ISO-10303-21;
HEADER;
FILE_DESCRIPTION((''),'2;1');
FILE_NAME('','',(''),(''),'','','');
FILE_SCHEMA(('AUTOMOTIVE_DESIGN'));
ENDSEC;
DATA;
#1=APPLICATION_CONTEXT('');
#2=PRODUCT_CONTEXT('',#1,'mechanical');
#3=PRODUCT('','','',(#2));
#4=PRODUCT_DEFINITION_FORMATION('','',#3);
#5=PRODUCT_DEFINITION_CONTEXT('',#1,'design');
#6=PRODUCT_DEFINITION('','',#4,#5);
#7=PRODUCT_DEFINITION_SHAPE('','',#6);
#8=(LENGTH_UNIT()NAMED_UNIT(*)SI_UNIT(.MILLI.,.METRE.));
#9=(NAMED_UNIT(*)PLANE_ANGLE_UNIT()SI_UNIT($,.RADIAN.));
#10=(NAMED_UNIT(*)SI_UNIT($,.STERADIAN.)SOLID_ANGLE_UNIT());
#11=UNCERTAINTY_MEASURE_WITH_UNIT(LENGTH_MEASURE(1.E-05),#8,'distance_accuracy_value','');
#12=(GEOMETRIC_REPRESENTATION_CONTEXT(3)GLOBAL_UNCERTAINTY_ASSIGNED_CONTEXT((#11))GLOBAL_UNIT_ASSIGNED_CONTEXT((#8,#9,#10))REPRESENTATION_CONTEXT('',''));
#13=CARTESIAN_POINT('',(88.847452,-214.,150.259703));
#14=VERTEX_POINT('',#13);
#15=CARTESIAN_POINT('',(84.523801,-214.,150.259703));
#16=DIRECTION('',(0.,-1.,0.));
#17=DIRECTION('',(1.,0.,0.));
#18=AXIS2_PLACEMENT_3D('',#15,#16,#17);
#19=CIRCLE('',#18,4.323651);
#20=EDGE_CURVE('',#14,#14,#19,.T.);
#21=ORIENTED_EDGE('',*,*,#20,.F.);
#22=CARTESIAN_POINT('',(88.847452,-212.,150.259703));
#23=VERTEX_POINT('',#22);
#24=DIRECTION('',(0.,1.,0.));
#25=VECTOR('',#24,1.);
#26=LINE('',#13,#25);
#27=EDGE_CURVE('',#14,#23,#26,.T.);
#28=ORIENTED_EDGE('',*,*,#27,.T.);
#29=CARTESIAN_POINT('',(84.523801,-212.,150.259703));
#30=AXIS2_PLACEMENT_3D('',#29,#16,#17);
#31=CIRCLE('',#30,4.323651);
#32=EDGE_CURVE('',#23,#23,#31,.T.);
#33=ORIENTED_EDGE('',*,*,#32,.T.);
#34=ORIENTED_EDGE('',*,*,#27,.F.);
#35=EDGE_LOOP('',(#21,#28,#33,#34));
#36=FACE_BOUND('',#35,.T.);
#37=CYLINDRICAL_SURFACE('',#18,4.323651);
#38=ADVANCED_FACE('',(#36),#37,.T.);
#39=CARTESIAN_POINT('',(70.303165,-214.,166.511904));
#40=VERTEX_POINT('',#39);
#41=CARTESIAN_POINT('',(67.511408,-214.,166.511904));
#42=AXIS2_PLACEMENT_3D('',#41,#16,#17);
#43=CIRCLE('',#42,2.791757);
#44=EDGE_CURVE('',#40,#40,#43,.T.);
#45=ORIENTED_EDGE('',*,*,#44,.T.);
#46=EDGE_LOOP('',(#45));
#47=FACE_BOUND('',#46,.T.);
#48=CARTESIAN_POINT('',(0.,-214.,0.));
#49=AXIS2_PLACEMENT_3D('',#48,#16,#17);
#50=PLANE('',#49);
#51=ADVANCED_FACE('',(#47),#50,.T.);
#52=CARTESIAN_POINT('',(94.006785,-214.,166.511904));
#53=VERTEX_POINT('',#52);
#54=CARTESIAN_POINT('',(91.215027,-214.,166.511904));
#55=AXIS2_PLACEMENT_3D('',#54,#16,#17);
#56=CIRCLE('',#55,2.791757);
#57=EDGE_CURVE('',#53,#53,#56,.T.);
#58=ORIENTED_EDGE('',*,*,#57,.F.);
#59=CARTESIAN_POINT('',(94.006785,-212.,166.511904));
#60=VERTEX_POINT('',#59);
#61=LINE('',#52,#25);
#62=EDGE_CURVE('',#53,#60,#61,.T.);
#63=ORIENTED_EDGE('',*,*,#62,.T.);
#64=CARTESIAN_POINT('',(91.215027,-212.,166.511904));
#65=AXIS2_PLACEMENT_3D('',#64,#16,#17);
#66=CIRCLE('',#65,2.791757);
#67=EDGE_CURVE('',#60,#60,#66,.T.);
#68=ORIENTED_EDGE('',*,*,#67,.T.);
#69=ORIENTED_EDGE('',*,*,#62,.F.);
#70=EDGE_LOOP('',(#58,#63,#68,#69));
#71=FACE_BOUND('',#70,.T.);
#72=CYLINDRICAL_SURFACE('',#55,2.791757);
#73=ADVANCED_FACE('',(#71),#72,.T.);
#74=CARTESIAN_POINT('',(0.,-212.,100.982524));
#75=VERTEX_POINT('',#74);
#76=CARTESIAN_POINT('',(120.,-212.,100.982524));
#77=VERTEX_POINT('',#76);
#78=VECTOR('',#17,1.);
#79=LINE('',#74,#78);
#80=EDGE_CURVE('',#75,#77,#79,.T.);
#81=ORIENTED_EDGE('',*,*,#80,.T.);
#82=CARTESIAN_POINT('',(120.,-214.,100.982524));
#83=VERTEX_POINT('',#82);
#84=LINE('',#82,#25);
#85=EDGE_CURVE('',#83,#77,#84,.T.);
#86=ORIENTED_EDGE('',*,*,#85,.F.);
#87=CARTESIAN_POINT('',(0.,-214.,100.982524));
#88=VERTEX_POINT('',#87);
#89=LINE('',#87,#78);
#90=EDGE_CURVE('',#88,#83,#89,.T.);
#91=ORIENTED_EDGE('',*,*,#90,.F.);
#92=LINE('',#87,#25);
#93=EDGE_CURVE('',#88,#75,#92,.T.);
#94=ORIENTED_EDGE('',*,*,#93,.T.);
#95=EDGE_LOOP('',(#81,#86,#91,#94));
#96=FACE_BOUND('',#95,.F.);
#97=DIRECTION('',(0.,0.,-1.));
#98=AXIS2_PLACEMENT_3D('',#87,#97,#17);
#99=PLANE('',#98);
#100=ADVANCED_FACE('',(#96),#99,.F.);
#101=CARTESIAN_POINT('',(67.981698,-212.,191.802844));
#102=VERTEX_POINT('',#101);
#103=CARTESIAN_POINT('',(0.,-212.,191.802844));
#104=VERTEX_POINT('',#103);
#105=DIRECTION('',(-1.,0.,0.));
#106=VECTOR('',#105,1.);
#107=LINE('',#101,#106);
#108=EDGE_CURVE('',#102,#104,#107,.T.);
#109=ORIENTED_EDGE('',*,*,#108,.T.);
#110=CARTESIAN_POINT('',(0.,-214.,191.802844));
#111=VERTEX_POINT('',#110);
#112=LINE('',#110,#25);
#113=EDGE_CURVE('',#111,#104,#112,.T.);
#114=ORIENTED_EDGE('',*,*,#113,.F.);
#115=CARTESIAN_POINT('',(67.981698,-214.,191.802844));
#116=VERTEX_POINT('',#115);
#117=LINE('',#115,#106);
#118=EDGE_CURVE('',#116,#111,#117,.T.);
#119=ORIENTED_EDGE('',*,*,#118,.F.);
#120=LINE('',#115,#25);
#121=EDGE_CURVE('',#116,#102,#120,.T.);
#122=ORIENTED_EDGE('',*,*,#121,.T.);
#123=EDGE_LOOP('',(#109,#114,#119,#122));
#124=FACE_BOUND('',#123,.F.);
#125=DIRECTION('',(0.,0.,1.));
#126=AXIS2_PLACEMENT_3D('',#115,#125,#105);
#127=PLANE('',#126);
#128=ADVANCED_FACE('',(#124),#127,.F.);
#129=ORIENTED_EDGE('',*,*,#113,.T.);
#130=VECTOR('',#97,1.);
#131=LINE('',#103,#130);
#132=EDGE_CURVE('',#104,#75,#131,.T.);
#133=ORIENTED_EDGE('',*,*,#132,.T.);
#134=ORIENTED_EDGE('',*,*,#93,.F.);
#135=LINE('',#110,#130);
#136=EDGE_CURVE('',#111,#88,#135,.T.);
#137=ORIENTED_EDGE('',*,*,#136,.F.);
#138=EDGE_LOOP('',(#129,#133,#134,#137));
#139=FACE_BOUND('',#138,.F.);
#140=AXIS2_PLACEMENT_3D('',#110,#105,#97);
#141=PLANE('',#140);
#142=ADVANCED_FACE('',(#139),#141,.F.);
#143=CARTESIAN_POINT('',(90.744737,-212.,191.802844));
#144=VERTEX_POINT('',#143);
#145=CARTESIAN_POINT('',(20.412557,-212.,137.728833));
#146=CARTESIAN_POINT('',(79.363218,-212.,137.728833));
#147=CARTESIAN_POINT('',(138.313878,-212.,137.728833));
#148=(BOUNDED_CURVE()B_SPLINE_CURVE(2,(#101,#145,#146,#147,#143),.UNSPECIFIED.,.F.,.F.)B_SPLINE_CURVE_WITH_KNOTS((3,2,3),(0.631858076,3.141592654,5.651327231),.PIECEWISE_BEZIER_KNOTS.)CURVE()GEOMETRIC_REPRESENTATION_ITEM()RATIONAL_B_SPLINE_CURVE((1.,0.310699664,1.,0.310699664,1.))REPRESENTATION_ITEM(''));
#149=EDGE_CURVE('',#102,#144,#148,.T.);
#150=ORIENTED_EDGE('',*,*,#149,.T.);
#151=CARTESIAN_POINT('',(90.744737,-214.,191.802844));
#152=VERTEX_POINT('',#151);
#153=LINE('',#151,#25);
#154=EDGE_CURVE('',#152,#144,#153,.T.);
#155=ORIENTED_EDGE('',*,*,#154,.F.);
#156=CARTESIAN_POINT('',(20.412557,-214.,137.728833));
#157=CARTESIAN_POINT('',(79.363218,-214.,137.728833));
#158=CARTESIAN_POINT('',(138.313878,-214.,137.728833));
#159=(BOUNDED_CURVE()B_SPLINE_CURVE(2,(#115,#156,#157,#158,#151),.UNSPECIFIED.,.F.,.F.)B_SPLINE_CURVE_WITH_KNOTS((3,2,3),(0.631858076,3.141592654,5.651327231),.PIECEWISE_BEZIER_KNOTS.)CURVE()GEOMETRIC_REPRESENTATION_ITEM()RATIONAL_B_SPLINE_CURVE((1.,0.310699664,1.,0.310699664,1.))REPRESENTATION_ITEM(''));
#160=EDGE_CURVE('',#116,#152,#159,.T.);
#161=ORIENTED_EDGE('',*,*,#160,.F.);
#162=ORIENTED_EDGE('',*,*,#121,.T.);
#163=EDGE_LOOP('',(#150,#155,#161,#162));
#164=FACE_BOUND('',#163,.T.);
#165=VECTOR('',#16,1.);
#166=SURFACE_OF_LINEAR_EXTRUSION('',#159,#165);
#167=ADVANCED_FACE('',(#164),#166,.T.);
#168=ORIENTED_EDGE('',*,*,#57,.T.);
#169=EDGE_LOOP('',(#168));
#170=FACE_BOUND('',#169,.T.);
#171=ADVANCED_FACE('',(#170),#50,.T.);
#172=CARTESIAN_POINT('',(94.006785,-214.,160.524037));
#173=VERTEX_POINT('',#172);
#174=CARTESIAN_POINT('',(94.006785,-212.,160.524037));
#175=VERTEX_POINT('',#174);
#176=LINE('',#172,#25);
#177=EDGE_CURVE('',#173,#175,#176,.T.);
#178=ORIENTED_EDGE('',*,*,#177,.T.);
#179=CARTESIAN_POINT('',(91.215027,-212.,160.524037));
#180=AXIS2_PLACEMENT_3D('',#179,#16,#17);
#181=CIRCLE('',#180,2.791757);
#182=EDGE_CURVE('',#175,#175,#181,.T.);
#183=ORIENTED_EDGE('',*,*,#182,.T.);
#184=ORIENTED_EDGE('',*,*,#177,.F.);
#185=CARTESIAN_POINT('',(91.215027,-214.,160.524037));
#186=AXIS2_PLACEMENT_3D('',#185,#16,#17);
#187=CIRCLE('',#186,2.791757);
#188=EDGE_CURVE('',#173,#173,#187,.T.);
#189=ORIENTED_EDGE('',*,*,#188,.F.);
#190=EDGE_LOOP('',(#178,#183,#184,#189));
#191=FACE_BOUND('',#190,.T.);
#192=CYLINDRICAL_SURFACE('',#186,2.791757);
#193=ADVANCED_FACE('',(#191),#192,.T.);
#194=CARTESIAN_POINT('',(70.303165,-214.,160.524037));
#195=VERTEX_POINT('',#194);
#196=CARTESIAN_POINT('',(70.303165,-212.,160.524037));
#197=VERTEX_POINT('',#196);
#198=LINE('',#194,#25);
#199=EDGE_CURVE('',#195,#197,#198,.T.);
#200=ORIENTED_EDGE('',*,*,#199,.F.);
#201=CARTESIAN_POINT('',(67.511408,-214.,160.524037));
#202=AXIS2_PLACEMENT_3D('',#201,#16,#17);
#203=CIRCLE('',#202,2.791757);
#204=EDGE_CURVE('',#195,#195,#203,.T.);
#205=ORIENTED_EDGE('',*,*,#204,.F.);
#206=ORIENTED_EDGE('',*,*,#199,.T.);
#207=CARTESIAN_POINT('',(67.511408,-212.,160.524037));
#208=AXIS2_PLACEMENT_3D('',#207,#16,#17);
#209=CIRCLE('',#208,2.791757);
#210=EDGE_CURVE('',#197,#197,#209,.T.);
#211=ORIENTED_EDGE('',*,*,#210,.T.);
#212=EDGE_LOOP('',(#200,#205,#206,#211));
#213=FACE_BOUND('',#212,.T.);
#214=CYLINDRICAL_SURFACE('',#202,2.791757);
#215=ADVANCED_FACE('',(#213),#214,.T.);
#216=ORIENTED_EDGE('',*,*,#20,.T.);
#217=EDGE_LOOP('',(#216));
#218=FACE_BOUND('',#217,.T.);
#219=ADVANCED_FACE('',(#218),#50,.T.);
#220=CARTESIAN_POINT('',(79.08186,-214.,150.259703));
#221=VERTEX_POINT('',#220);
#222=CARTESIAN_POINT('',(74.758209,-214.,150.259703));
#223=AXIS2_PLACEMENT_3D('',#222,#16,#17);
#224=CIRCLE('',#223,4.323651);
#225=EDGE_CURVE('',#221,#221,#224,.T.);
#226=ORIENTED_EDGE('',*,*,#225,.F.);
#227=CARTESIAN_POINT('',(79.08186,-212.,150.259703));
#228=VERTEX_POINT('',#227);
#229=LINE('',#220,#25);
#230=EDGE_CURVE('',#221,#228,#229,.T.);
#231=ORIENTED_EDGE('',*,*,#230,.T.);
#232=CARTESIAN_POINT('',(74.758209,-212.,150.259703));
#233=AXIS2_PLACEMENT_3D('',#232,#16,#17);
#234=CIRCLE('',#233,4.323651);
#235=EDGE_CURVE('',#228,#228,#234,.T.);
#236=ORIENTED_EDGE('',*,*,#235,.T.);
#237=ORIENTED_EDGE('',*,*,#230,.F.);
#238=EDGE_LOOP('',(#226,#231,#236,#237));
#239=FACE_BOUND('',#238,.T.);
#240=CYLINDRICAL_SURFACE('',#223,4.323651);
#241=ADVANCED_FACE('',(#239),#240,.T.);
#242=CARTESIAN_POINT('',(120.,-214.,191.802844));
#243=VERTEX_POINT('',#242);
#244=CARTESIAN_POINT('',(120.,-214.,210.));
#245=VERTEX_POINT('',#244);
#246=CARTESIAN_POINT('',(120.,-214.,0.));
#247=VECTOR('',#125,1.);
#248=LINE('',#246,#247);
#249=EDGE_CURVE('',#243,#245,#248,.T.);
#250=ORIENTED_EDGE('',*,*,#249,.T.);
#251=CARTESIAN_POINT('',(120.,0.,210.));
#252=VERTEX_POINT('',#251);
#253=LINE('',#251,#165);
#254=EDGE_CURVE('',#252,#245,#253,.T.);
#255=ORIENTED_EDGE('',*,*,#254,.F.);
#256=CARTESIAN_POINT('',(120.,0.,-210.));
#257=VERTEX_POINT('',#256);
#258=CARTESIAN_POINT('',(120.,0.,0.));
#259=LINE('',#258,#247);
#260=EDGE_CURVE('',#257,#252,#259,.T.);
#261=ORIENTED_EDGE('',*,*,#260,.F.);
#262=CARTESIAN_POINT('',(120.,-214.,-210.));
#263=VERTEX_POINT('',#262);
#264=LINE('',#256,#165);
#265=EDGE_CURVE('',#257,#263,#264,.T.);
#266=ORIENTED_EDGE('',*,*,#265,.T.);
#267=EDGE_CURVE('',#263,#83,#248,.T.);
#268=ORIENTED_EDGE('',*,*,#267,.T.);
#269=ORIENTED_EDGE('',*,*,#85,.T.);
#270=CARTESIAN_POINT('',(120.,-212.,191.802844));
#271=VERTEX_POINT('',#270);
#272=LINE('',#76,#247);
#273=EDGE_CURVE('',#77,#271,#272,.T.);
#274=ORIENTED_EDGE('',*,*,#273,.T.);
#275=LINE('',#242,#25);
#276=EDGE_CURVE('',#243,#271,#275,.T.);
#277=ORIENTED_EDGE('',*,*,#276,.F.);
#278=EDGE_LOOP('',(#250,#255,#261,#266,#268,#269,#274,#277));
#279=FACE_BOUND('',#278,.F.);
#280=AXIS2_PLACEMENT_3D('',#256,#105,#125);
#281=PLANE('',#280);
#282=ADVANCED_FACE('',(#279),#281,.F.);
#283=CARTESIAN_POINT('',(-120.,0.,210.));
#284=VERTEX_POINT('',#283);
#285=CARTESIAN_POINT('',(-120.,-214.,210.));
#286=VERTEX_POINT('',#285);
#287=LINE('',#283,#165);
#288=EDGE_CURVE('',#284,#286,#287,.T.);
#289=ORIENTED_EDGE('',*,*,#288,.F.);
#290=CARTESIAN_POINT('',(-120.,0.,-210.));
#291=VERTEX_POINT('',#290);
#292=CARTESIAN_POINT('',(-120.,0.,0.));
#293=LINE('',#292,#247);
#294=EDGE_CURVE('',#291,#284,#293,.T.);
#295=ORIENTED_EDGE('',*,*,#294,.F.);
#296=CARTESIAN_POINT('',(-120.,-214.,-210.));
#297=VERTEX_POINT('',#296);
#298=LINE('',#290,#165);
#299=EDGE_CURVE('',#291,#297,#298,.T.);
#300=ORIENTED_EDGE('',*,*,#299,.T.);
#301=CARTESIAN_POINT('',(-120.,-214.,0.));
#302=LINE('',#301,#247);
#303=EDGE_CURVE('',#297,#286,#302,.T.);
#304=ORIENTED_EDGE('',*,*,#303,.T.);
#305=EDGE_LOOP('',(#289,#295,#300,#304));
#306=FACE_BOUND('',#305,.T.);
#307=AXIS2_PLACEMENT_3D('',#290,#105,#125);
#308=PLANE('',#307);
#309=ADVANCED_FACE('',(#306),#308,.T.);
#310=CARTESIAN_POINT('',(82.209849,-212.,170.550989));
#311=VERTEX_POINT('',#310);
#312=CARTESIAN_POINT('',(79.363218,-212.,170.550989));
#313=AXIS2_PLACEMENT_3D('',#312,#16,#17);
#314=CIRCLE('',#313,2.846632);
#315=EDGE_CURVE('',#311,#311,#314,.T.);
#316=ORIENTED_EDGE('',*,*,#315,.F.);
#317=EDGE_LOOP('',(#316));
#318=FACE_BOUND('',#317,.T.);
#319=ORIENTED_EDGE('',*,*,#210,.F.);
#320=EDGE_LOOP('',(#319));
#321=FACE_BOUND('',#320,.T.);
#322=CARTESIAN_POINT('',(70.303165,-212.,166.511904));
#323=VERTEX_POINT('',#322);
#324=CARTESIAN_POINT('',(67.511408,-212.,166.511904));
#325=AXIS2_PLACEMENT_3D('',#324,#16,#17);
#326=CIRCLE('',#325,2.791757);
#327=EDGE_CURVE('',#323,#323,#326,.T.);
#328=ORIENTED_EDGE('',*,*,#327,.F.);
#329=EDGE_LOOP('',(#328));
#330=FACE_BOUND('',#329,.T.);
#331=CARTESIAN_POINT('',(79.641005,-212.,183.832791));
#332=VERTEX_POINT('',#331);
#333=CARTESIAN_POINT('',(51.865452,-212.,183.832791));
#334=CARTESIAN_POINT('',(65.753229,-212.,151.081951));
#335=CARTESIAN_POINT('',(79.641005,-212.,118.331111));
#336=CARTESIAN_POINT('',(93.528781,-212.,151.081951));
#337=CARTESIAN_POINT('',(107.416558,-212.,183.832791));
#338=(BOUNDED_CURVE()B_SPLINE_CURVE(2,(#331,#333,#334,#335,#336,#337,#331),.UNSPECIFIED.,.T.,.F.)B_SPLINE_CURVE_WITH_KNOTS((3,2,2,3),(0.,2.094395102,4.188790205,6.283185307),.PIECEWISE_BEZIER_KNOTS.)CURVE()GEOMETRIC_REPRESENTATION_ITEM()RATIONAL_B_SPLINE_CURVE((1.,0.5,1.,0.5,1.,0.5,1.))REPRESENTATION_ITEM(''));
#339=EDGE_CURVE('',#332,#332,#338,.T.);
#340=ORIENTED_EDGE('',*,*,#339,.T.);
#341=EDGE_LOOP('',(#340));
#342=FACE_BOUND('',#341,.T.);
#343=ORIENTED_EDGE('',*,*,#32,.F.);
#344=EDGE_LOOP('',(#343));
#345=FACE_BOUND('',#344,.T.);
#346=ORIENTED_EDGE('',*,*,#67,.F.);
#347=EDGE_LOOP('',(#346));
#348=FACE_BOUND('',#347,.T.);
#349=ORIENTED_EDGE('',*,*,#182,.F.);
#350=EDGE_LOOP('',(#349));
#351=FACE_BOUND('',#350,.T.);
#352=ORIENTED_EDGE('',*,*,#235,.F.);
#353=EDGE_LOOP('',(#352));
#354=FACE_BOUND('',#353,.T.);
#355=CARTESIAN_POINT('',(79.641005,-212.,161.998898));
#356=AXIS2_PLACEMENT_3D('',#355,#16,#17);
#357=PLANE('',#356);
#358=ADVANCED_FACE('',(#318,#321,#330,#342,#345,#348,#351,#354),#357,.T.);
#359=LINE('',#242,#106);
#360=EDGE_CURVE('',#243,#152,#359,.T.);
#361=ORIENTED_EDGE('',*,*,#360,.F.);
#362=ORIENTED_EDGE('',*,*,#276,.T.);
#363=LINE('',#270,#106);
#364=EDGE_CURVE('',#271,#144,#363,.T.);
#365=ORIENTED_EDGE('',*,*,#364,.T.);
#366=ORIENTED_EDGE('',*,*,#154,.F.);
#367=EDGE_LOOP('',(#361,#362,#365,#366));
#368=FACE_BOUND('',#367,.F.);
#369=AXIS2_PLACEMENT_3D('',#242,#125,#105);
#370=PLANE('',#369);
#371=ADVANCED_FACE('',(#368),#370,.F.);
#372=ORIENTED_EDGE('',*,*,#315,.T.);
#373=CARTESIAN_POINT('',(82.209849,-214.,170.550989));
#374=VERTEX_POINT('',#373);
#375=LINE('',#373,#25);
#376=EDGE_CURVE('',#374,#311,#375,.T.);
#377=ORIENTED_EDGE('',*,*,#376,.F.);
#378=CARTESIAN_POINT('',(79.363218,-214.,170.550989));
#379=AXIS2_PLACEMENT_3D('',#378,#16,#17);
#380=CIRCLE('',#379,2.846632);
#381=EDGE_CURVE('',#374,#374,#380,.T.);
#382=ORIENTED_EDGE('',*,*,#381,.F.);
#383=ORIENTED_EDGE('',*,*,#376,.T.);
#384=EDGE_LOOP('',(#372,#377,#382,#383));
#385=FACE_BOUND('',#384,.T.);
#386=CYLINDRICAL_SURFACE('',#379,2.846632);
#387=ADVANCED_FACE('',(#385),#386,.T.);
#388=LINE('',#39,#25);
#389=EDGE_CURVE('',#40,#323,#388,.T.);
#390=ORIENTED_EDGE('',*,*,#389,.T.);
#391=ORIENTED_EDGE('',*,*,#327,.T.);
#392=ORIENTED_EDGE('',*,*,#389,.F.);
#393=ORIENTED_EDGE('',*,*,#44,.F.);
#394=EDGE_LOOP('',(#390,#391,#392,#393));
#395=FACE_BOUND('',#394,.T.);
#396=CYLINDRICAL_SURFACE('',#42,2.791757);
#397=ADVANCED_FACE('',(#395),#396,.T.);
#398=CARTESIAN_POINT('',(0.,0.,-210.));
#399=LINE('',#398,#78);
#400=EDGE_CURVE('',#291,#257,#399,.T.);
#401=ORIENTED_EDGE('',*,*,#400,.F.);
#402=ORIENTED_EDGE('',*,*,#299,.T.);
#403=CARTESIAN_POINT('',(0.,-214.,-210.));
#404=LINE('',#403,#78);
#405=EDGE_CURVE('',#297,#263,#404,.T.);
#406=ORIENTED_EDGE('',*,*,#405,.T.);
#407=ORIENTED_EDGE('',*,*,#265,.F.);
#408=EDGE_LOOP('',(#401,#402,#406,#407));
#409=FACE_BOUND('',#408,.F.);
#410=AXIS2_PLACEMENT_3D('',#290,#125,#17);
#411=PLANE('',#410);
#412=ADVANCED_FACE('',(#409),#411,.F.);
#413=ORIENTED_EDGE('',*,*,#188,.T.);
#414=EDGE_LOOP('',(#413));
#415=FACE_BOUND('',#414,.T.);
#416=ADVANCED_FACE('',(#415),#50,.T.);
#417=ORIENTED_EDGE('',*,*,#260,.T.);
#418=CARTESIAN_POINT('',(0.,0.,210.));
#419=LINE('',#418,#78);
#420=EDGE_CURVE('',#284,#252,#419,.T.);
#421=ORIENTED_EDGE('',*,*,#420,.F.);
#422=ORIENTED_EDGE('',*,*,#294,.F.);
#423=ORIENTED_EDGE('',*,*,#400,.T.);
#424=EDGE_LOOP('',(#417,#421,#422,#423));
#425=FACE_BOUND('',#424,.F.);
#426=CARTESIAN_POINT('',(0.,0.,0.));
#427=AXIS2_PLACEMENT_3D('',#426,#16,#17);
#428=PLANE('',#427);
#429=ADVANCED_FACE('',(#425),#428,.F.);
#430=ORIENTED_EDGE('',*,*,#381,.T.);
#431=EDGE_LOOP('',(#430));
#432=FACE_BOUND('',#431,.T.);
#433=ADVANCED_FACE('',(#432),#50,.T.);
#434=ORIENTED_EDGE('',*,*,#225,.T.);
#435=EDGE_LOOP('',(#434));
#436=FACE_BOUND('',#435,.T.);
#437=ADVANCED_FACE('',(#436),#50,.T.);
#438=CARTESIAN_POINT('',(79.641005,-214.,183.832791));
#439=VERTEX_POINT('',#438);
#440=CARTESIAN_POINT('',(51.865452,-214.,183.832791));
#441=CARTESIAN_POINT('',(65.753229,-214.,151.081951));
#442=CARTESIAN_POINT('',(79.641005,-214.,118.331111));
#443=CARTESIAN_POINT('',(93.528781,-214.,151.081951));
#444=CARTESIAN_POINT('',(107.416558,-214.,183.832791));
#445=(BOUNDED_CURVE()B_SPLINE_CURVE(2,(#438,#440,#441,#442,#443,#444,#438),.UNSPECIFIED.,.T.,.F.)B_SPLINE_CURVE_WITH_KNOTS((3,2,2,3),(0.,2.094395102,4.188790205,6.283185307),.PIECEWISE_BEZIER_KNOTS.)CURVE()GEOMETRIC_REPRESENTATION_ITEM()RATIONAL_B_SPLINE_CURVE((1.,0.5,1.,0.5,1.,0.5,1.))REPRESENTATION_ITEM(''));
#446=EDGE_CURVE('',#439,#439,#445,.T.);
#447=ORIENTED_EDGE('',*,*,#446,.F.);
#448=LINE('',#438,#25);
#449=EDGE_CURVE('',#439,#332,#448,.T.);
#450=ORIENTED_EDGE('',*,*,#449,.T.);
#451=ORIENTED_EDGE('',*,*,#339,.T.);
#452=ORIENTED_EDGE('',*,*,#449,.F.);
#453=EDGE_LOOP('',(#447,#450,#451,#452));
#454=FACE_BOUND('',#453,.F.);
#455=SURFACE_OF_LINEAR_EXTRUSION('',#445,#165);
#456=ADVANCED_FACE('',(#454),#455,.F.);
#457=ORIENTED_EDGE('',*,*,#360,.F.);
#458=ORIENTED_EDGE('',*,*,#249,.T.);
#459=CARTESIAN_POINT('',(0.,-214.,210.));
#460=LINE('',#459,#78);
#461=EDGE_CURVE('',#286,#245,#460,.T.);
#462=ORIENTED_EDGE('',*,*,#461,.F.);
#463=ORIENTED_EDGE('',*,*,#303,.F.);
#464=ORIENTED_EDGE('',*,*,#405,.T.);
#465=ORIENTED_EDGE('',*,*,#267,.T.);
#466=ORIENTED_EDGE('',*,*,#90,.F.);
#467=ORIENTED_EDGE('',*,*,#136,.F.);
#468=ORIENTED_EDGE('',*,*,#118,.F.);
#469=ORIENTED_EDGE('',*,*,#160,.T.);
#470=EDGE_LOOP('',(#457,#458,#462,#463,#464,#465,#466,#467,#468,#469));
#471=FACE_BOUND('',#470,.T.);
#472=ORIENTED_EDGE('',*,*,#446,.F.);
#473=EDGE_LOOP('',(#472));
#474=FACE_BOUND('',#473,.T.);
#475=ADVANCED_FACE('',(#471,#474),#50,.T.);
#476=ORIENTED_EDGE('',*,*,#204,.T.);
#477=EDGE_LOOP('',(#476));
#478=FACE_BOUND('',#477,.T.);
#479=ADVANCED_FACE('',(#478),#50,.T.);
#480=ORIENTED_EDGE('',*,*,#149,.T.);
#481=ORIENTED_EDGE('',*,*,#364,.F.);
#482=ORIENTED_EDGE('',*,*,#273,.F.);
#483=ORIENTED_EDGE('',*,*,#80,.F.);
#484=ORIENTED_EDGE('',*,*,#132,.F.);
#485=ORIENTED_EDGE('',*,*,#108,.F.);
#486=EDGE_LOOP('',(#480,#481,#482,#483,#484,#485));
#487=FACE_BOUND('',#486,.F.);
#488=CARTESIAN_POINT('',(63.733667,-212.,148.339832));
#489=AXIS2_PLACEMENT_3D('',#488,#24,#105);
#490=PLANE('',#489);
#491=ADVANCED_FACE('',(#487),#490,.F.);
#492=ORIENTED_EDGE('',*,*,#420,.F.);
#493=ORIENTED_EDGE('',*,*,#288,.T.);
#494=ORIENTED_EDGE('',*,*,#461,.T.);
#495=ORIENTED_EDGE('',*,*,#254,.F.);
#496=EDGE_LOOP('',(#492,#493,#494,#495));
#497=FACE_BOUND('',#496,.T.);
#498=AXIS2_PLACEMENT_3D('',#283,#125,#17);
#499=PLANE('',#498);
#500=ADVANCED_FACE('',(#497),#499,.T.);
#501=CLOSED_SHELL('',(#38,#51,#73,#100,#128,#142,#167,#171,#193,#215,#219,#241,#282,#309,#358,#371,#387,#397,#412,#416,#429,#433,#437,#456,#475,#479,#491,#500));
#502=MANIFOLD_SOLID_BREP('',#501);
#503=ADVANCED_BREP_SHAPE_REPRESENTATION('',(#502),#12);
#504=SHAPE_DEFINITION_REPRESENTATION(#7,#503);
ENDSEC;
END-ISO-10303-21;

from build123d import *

# Parameters (mm, degrees)
F0_W     = 240
F0_H     = 420
F1_DEPTH = 214
F2_R     = 4.3236508832
F2_R_2   = 2.7917572167
F2_R_3   = 2.8466316253
F3_DEPTH = 2


with BuildPart() as f1:
    # F0 (on Front) → F1 (new body)
    with BuildSketch(Plane.XZ):
        Rectangle(F0_W, F0_H)
    extrude(amount=F1_DEPTH)

    # F2 (on face) → F3 (cut)
    with BuildSketch(Plane.XZ.offset(214)):
        with BuildLine():
            add(Edge.make_bspline(
                [(79.6410050243, 183.8327910713), (51.8654523452, 183.8327910713), (65.7532286848, 151.0819511507), (79.6410050243, 118.3311112301), (93.5287813639, 151.0819511507), (107.4165577034, 183.8327910713), (79.6410050243, 183.8327910713)],
                knots=[0, 0, 0, 2.0943951024, 2.0943951024, 4.1887902048, 4.1887902048, 6.2831853072, 6.2831853072, 6.2831853072], degree=2, weights=[1, 0.5, 1, 0.5, 1, 0.5, 1]))
        make_face()
        with Locations((74.7582092881, 150.2597033978)):
            Circle(F2_R, mode=Mode.SUBTRACT)
        with Locations((84.5238007605, 150.2597033978)):
            Circle(F2_R, mode=Mode.SUBTRACT)
        with Locations((67.5114076585, 160.5240367353)):
            Circle(F2_R_2, mode=Mode.SUBTRACT)
        with Locations((67.5114076585, 166.5119044483)):
            Circle(F2_R_2, mode=Mode.SUBTRACT)
        with Locations((79.3632175773, 170.5509889871)):
            Circle(F2_R_3, mode=Mode.SUBTRACT)
        with Locations((91.2150274962, 160.5240367353)):
            Circle(F2_R_2, mode=Mode.SUBTRACT)
        with Locations((91.2150274962, 166.5119044483)):
            Circle(F2_R_2, mode=Mode.SUBTRACT)
        with BuildLine():
            add(Edge.make_bspline(
                [(67.9816982948, 191.8028444052), (20.4125568798, 137.7288326621), (79.3632175773, 137.7288326621), (138.3138782749, 137.7288326621), (90.7447368599, 191.8028444052)],
                knots=[0.6318580764, 0.6318580764, 0.6318580764, 3.1415926536, 3.1415926536, 5.6513272308, 5.6513272308, 5.6513272308], degree=2, weights=[1, 0.3106996636, 1, 0.3106996636, 1]))
            Line((67.9816982948, 191.8028444052), (0, 191.8028444052))
            Line((0, 191.8028444052), (0, 100.9825244546))
            Line((0, 100.9825244546), (120, 100.9825244546))
            Line((120, 100.9825244546), (120, 191.8028444052))
            Line((120, 191.8028444052), (90.7447368599, 191.8028444052))
        make_face()
    extrude(amount=-F3_DEPTH, mode=Mode.SUBTRACT)


solid = f1.part
